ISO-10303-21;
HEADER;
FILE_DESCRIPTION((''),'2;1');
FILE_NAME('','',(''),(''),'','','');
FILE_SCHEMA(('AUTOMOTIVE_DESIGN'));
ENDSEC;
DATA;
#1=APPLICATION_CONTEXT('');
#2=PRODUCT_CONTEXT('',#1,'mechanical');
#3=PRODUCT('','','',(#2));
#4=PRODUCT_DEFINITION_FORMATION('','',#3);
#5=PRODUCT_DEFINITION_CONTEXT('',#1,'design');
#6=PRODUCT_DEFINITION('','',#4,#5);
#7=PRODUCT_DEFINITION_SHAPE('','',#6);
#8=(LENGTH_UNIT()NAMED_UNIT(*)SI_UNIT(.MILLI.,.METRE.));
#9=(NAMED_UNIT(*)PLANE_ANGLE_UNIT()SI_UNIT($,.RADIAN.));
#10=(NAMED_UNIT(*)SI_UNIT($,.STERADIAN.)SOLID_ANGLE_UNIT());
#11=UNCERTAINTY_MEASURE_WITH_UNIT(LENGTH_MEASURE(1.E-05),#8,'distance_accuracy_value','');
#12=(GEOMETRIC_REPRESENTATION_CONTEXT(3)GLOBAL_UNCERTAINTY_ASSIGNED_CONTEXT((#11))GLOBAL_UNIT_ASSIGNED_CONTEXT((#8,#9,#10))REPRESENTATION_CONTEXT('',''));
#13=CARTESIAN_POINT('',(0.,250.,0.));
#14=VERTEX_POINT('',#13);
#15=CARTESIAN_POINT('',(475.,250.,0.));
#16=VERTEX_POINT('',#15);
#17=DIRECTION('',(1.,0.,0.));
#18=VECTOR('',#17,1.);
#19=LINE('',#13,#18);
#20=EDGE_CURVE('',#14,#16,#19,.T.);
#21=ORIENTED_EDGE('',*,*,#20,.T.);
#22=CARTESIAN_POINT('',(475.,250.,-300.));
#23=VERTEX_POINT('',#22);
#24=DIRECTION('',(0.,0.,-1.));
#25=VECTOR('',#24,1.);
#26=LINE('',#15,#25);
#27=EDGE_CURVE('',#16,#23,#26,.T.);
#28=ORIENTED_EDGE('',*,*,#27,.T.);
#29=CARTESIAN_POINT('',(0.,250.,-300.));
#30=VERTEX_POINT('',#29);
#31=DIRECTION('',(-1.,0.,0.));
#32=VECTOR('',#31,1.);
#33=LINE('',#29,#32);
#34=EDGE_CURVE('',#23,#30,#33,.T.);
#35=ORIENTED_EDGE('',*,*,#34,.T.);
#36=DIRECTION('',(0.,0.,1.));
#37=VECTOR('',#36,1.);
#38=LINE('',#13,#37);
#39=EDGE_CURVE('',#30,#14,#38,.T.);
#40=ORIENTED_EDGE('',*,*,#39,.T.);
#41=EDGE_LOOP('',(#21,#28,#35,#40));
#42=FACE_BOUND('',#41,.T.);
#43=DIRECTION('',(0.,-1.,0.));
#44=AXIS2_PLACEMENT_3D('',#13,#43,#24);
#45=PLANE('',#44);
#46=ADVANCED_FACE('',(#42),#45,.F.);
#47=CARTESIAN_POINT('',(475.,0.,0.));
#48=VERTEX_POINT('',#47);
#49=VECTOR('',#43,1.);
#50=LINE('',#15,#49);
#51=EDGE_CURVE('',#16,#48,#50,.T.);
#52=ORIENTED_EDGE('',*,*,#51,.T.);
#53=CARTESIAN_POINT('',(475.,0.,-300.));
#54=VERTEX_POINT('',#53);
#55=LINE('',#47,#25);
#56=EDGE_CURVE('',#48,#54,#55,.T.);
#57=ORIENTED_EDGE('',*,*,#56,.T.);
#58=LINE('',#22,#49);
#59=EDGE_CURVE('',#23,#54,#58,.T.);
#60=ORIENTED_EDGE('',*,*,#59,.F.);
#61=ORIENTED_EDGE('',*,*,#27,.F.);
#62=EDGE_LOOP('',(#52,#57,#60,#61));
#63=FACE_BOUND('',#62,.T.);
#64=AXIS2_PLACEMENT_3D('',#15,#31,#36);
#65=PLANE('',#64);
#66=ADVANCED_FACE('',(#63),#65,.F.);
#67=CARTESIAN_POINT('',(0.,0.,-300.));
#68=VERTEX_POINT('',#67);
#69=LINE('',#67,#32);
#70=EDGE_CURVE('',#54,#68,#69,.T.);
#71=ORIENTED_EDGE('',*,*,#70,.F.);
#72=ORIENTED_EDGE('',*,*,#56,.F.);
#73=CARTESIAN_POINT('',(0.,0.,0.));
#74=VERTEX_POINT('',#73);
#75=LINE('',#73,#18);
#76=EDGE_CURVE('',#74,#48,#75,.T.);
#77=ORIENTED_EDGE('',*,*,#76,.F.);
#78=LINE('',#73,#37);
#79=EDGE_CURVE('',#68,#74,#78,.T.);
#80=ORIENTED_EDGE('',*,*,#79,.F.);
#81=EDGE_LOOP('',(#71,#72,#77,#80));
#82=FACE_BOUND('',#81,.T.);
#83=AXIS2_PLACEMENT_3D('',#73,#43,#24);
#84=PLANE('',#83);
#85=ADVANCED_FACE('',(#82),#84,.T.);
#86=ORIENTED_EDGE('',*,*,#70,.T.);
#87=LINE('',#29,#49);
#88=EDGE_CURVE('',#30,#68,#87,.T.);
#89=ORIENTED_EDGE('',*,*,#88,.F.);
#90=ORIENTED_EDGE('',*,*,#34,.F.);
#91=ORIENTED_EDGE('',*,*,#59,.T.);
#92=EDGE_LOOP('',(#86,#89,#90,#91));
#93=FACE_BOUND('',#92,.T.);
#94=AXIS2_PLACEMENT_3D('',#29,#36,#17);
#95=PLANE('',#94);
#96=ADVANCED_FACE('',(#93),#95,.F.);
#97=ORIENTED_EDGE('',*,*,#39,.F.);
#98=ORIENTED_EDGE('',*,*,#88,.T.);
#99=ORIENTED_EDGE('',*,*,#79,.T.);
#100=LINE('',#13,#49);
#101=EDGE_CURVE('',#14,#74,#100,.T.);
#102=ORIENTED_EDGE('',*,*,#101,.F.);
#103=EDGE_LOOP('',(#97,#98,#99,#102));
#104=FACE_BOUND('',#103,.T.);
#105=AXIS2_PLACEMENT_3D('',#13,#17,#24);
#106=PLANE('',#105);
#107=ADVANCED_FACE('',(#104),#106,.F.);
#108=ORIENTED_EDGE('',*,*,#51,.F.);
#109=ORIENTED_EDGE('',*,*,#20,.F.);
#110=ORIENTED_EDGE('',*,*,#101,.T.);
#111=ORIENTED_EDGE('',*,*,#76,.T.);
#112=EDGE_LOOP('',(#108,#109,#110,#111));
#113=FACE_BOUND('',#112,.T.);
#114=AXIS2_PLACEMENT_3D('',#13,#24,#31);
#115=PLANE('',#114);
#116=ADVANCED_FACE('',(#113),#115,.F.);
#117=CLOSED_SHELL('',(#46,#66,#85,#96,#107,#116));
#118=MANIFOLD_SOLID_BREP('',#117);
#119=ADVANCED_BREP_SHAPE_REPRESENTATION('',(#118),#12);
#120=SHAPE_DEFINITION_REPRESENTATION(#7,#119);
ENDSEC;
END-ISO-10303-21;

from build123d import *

# Parameters (mm, degrees)
SKETCH1_W           = 475
SKETCH1_H           = 300
BOSS_EXTRUDE1_DEPTH = 250


with BuildPart() as part:
    # Sketch1 → Boss-Extrude1 (new body)
    with BuildSketch(Plane(origin=(0, 0, 0), x_dir=(1, 0, 0), z_dir=(0, 1, 0))):
        with Locations((237.5, 150)):
            Rectangle(SKETCH1_W, SKETCH1_H)
    extrude(amount=BOSS_EXTRUDE1_DEPTH)


solid = part.part
